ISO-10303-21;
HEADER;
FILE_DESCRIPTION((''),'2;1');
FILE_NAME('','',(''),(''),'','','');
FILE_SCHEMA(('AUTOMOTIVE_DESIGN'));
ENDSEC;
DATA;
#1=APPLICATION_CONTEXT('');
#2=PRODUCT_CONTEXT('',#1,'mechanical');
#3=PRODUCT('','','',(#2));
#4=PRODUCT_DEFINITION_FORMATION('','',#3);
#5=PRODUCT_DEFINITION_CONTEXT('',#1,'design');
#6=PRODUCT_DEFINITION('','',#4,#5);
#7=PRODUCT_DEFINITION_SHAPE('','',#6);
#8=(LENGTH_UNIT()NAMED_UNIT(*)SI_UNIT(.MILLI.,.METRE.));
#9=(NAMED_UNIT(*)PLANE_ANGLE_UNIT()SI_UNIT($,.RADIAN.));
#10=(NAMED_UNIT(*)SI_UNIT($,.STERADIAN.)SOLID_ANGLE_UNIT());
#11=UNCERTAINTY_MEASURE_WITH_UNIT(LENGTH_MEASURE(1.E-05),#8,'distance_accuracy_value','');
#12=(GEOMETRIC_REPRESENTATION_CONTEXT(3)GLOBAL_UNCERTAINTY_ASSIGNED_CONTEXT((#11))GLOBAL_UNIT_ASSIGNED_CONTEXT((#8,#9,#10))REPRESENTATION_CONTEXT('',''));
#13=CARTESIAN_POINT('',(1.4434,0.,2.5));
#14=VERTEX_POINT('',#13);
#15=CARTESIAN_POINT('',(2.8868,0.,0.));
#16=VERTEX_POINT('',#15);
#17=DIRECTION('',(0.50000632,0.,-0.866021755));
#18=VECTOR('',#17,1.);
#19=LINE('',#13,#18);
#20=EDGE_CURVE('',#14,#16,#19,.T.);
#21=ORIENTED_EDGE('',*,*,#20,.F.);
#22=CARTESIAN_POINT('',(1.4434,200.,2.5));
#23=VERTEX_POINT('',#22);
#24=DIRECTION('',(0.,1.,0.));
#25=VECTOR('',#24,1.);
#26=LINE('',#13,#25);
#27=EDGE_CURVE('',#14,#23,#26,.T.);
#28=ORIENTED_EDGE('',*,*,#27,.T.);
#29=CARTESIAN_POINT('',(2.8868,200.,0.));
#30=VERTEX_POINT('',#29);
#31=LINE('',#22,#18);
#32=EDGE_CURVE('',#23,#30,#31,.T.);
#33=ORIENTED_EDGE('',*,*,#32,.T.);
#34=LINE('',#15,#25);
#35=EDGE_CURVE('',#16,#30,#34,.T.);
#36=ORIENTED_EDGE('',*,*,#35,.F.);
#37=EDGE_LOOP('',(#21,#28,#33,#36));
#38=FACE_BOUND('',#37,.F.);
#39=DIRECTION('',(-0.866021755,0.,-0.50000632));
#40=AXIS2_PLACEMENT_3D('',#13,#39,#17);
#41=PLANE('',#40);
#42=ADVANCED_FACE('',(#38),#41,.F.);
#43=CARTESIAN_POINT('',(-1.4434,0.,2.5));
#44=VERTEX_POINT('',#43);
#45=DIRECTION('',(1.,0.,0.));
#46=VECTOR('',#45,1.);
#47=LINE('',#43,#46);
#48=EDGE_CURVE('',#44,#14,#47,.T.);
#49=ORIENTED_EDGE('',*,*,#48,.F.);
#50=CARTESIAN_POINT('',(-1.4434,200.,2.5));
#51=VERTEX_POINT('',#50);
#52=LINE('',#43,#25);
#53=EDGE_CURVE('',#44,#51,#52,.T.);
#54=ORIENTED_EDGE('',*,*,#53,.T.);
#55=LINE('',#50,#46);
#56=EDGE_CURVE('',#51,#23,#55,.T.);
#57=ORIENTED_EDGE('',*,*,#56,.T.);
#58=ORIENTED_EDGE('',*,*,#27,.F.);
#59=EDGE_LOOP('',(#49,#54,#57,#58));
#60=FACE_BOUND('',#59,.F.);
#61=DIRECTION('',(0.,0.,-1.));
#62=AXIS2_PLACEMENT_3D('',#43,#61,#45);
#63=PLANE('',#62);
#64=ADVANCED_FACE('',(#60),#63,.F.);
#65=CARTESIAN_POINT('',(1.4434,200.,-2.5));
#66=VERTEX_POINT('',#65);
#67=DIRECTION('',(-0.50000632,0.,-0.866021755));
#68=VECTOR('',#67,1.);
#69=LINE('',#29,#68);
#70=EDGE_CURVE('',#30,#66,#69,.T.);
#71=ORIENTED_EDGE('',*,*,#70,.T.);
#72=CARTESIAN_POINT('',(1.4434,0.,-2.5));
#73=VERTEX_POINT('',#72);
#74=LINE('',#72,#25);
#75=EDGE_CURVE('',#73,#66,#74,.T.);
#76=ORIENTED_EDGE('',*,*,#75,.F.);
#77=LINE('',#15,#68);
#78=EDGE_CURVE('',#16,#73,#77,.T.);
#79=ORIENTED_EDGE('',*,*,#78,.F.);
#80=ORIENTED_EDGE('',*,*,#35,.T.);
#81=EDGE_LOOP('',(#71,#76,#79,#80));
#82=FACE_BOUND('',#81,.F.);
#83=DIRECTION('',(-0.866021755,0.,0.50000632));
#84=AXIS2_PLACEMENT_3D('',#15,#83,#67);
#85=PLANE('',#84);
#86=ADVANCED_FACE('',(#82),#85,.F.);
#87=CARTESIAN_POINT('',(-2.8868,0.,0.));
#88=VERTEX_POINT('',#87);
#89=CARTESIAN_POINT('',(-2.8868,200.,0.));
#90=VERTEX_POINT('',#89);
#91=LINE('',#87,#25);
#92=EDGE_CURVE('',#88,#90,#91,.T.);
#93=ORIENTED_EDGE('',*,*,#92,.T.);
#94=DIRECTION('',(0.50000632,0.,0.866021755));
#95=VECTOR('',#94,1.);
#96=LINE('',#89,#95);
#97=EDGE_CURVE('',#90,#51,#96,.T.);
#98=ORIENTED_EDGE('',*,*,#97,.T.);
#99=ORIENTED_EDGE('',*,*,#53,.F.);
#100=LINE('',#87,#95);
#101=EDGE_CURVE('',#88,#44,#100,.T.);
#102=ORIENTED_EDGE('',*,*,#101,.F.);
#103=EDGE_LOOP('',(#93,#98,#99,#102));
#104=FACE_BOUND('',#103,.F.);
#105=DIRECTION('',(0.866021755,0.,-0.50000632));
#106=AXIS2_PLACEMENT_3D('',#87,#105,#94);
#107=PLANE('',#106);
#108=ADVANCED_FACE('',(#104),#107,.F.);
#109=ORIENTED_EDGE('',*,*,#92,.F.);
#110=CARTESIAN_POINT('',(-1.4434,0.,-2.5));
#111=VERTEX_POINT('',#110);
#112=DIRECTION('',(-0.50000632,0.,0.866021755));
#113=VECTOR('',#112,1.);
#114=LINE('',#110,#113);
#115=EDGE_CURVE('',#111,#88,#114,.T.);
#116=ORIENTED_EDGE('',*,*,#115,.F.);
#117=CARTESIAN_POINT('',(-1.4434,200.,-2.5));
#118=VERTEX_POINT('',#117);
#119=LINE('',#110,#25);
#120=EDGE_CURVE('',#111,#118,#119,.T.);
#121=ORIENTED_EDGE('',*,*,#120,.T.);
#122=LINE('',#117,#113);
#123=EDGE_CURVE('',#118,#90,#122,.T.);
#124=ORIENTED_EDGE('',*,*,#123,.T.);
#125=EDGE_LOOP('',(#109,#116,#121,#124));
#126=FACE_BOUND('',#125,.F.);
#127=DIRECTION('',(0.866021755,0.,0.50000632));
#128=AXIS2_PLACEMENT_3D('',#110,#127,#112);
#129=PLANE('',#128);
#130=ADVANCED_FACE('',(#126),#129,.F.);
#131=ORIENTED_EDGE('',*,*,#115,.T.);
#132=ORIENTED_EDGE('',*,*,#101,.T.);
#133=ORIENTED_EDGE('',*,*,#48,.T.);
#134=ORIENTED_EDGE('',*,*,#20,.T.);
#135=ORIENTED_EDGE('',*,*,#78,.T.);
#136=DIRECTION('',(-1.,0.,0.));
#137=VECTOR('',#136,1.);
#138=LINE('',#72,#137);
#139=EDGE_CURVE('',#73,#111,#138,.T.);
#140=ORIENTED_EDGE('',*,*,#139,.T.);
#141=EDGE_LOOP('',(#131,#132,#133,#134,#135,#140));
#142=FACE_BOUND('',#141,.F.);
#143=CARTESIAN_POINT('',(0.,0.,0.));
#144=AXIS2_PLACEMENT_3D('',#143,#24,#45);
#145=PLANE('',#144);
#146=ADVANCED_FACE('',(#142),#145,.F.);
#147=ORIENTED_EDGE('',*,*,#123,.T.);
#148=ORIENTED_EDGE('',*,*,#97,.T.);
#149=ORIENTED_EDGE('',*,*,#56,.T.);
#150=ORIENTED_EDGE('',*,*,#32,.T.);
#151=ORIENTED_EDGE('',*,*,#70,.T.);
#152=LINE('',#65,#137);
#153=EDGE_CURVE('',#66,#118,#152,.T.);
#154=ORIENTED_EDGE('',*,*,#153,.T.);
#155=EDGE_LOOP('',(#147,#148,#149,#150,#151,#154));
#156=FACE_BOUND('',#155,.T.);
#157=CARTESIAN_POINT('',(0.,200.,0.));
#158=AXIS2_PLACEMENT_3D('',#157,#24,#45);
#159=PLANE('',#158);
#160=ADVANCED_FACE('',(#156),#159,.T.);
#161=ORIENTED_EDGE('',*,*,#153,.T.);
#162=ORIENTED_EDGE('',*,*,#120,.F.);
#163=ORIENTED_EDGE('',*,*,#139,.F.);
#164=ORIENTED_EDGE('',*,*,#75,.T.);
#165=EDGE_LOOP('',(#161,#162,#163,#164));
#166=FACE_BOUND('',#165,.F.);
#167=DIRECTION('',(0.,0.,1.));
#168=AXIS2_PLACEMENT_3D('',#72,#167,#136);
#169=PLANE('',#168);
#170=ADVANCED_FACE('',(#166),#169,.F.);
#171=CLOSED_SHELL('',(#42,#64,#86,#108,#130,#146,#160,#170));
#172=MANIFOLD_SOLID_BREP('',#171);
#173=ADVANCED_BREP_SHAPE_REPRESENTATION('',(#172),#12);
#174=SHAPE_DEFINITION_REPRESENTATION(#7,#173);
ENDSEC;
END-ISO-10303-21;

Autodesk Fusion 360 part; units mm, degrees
sketch "Sketch1" plane through (0, 0, 0) normal (0, 1, 0) x (1, 0, 0)
  line L0 (2.8868, 0) -> (1.4434, 2.5)
  line L1 (1.4434, 2.5) -> (-1.4434, 2.5)
  line L2 (-1.4434, 2.5) -> (-2.8868, 0)
  line L3 (-2.8868, 0) -> (-1.4434, -2.5)
  line L4 (-1.4434, -2.5) -> (1.4434, -2.5)
  line L5 (1.4434, -2.5) -> (2.8868, 0)
  dimension "d1" = 2.5
extrude "Extrude1" add sketch "Sketch1" along normal blind 200
